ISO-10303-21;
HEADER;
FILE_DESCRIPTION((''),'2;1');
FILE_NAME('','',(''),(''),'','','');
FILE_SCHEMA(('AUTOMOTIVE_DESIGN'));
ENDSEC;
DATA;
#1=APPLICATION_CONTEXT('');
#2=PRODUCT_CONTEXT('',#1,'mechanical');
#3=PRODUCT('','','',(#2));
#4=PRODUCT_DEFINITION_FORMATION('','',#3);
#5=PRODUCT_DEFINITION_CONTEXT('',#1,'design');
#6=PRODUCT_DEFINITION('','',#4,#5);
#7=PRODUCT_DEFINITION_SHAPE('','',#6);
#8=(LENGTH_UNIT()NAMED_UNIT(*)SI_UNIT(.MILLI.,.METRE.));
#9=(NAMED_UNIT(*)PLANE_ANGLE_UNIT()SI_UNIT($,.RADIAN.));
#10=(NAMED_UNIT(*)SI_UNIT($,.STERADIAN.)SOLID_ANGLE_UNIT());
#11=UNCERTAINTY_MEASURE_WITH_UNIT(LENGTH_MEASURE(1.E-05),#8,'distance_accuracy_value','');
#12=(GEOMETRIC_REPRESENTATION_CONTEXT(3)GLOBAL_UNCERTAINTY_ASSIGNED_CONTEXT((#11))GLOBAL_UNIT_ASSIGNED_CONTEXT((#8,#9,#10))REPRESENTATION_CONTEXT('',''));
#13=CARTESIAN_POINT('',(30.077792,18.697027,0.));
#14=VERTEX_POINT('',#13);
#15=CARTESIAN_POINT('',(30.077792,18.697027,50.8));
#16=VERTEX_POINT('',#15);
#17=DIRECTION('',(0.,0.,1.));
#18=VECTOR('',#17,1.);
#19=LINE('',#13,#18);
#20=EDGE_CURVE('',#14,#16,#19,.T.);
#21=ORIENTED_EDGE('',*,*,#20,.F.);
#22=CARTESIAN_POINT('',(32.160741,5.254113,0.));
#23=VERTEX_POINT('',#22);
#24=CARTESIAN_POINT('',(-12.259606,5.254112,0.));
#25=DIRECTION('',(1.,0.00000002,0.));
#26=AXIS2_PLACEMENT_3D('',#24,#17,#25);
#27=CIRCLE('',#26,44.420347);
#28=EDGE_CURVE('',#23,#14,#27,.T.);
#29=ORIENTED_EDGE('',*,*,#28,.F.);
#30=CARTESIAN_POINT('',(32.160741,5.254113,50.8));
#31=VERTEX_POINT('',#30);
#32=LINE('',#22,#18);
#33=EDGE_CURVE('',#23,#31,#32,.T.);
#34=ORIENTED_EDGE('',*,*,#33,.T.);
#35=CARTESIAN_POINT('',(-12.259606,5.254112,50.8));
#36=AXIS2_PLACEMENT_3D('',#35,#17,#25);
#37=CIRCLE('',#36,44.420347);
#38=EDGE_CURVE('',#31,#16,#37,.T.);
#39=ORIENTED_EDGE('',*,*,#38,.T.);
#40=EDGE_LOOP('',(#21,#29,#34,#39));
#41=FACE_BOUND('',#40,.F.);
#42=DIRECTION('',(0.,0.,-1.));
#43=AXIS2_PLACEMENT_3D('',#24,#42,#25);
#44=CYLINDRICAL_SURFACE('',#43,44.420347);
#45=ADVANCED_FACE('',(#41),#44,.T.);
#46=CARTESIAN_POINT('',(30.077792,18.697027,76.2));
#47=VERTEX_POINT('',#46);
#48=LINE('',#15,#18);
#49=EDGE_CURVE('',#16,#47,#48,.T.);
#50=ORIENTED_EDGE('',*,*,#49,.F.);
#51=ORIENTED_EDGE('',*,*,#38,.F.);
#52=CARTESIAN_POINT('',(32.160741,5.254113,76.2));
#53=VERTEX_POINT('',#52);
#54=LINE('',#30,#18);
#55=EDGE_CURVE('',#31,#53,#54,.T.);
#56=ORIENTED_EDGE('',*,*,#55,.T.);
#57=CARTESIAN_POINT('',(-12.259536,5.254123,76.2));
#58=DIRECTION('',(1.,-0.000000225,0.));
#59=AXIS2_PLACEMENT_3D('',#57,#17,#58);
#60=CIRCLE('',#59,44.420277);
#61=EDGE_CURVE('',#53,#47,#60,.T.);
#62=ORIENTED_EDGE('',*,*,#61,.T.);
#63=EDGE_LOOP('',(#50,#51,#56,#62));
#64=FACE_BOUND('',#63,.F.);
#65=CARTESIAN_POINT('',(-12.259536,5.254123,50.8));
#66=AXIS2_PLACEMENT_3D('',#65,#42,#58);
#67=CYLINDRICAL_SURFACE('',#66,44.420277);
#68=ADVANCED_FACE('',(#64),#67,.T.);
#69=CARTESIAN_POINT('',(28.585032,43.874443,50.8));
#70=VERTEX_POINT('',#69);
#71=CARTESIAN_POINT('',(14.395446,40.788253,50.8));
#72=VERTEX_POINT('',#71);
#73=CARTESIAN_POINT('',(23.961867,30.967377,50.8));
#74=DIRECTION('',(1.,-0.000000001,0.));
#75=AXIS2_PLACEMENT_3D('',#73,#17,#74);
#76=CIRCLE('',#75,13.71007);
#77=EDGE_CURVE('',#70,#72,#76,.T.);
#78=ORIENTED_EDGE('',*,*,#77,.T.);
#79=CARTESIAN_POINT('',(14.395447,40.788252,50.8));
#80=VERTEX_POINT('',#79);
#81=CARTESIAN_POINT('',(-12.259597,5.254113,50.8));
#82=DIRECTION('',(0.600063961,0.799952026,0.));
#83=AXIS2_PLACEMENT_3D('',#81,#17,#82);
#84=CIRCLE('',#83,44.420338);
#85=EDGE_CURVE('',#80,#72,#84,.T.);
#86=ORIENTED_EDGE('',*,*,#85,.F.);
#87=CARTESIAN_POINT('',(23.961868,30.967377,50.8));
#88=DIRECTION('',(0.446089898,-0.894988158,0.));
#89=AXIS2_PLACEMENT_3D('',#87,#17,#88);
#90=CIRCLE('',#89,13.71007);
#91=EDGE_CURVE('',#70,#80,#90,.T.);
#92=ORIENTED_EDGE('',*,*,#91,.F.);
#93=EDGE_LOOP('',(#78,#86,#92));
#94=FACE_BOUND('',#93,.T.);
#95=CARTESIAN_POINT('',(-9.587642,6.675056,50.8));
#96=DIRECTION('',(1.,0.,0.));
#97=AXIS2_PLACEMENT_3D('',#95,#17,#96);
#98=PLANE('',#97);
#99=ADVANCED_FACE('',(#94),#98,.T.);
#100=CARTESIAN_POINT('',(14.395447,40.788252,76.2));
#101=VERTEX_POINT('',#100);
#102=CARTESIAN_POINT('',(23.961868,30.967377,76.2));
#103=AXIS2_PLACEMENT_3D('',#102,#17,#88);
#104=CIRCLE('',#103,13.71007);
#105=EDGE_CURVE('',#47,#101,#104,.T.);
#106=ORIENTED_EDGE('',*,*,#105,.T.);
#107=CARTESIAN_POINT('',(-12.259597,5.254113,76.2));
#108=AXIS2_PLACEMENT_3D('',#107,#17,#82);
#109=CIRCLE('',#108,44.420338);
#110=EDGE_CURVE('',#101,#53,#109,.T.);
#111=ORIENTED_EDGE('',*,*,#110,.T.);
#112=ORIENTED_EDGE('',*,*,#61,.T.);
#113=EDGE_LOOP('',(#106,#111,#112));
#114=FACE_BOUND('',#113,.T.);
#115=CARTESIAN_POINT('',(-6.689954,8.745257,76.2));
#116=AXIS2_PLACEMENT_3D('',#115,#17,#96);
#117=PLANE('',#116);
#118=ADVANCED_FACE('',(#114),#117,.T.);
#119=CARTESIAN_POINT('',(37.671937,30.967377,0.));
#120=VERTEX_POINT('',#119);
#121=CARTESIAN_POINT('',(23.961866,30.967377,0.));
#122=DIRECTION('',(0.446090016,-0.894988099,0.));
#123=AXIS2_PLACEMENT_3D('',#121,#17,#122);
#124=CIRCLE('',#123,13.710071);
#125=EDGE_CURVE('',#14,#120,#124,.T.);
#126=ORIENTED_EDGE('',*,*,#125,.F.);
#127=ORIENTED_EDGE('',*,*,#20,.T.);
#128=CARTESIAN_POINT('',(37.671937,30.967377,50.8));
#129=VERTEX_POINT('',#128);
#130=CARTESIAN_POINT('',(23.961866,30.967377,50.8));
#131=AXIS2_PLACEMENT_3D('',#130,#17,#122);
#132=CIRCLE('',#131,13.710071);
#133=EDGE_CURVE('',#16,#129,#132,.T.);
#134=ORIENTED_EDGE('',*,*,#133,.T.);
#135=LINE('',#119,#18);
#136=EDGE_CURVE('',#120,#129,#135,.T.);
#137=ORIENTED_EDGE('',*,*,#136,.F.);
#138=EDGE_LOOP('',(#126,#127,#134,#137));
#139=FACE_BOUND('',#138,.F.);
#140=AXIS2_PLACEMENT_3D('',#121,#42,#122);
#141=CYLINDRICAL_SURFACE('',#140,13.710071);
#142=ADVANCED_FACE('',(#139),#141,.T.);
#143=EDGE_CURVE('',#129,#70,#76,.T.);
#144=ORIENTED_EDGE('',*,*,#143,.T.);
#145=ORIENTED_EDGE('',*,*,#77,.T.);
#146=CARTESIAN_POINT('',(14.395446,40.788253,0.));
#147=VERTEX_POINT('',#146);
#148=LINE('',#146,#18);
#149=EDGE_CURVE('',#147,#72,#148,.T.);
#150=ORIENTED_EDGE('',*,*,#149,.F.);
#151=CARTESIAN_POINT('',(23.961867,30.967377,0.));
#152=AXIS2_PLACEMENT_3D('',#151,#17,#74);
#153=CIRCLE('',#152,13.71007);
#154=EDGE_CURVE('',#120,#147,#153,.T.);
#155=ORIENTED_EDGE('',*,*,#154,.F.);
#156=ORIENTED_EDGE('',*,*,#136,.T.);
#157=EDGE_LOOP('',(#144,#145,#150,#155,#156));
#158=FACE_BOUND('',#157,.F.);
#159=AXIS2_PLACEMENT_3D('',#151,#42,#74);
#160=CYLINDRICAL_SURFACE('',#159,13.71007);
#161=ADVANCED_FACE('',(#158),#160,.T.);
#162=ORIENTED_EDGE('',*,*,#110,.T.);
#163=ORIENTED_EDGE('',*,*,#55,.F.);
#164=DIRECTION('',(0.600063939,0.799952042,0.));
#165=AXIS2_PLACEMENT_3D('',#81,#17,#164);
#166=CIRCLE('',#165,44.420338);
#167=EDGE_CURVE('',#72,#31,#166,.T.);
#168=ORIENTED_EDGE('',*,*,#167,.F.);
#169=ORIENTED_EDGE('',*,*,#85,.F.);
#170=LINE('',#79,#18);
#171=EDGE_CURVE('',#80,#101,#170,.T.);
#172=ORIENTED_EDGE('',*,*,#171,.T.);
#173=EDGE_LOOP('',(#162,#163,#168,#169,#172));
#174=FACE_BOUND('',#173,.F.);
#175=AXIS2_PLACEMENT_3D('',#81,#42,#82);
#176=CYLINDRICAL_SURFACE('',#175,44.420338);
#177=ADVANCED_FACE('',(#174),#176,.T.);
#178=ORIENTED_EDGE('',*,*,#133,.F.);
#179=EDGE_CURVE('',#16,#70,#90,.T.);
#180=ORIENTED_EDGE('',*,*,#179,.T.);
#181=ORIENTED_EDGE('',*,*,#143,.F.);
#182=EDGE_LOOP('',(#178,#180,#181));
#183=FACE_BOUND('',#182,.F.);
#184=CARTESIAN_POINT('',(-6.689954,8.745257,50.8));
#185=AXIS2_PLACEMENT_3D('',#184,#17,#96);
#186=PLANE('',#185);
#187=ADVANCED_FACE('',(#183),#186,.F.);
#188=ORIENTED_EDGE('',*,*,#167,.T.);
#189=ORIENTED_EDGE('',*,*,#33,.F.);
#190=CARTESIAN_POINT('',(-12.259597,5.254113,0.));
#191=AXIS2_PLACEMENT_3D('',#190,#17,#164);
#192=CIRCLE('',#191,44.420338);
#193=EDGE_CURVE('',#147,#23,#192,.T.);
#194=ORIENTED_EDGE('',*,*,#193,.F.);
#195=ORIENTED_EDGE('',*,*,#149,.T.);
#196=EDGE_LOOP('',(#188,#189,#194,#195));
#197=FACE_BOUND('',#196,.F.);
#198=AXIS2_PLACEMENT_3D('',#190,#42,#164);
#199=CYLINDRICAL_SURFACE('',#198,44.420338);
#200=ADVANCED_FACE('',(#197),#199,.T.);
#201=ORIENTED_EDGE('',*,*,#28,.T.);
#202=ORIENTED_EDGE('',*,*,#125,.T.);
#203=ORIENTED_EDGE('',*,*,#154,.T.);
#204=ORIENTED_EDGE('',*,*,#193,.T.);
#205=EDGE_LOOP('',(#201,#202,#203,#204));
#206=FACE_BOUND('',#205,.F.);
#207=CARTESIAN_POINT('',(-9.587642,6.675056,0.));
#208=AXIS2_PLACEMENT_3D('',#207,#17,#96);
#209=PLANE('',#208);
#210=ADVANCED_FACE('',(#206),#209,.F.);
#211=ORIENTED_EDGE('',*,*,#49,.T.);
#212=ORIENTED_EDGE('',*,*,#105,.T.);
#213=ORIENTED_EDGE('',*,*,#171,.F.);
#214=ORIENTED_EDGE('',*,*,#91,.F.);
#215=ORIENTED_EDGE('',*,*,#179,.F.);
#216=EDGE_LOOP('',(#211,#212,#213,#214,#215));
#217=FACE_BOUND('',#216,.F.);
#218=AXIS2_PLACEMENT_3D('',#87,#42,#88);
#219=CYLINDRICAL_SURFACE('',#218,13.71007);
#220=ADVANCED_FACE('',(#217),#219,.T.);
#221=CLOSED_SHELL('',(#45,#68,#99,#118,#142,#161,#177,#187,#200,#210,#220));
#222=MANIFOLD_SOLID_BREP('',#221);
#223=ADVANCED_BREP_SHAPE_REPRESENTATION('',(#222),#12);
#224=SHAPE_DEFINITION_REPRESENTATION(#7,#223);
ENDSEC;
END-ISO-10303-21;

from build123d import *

# Parameters (mm, degrees)
F1_DEPTH = 50.8
F2_DEPTH = 25.4


with BuildPart() as f1:
    # F0 (on Top) → F1 (new body)
    with BuildSketch(Plane.XY):
        with BuildLine():
            ThreePointArc((14.395446, 40.788253), (-51.991149, -14.609678), (32.160741, 5.254113))
            ThreePointArc((32.160741, 5.254113), (31.636915, 12.055779), (30.077792, 18.697027))
            ThreePointArc((30.077792, 18.697027), (12.782331, 23.031133), (14.395446, 40.788253))
        make_face()
        with BuildLine():
            ThreePointArc((14.395446, 40.788253), (12.782331, 23.031133), (30.077792, 18.697027))
            ThreePointArc((30.077792, 18.697027), (23.961868, 30.967377), (14.395446, 40.788253))
        make_face()
        with BuildLine():
            ThreePointArc((14.395446, 40.788253), (23.961868, 30.967377), (30.077792, 18.697027))
            ThreePointArc((30.077792, 18.697027), (35.619821, 23.752245), (37.671937, 30.967377))
            ThreePointArc((37.671937, 30.967377), (29.291488, 43.599129), (14.395446, 40.788253))
        make_face()
    extrude(amount=F1_DEPTH)

    # F1_face (on face) → F2 (join)
    with BuildSketch(Plane(origin=(-10.296356, 6.647798, 50.8), x_dir=(1, 0, 0), z_dir=(0, 0, 1))):
        with BuildLine():
            ThreePointArc((24.691803, 34.140454), (-41.694793, -21.257476), (42.457097, -1.393685))
            ThreePointArc((42.457097, -1.393685), (41.933272, 5.40798), (40.374148, 12.049229))
            ThreePointArc((40.374148, 12.049229), (45.437761, 32.255823), (24.691803, 34.140454))
        make_face()
        with BuildLine():
            ThreePointArc((40.374148, 12.049229), (41.933272, 5.40798), (42.457097, -1.393685))
            ThreePointArc((42.457097, -1.393685), (-41.694793, -21.257476), (24.691803, 34.140454))
            ThreePointArc((24.691803, 34.140454), (45.437761, 32.255823), (40.374148, 12.049229))
        make_face()
    extrude(amount=F2_DEPTH)


solid = f1.part
